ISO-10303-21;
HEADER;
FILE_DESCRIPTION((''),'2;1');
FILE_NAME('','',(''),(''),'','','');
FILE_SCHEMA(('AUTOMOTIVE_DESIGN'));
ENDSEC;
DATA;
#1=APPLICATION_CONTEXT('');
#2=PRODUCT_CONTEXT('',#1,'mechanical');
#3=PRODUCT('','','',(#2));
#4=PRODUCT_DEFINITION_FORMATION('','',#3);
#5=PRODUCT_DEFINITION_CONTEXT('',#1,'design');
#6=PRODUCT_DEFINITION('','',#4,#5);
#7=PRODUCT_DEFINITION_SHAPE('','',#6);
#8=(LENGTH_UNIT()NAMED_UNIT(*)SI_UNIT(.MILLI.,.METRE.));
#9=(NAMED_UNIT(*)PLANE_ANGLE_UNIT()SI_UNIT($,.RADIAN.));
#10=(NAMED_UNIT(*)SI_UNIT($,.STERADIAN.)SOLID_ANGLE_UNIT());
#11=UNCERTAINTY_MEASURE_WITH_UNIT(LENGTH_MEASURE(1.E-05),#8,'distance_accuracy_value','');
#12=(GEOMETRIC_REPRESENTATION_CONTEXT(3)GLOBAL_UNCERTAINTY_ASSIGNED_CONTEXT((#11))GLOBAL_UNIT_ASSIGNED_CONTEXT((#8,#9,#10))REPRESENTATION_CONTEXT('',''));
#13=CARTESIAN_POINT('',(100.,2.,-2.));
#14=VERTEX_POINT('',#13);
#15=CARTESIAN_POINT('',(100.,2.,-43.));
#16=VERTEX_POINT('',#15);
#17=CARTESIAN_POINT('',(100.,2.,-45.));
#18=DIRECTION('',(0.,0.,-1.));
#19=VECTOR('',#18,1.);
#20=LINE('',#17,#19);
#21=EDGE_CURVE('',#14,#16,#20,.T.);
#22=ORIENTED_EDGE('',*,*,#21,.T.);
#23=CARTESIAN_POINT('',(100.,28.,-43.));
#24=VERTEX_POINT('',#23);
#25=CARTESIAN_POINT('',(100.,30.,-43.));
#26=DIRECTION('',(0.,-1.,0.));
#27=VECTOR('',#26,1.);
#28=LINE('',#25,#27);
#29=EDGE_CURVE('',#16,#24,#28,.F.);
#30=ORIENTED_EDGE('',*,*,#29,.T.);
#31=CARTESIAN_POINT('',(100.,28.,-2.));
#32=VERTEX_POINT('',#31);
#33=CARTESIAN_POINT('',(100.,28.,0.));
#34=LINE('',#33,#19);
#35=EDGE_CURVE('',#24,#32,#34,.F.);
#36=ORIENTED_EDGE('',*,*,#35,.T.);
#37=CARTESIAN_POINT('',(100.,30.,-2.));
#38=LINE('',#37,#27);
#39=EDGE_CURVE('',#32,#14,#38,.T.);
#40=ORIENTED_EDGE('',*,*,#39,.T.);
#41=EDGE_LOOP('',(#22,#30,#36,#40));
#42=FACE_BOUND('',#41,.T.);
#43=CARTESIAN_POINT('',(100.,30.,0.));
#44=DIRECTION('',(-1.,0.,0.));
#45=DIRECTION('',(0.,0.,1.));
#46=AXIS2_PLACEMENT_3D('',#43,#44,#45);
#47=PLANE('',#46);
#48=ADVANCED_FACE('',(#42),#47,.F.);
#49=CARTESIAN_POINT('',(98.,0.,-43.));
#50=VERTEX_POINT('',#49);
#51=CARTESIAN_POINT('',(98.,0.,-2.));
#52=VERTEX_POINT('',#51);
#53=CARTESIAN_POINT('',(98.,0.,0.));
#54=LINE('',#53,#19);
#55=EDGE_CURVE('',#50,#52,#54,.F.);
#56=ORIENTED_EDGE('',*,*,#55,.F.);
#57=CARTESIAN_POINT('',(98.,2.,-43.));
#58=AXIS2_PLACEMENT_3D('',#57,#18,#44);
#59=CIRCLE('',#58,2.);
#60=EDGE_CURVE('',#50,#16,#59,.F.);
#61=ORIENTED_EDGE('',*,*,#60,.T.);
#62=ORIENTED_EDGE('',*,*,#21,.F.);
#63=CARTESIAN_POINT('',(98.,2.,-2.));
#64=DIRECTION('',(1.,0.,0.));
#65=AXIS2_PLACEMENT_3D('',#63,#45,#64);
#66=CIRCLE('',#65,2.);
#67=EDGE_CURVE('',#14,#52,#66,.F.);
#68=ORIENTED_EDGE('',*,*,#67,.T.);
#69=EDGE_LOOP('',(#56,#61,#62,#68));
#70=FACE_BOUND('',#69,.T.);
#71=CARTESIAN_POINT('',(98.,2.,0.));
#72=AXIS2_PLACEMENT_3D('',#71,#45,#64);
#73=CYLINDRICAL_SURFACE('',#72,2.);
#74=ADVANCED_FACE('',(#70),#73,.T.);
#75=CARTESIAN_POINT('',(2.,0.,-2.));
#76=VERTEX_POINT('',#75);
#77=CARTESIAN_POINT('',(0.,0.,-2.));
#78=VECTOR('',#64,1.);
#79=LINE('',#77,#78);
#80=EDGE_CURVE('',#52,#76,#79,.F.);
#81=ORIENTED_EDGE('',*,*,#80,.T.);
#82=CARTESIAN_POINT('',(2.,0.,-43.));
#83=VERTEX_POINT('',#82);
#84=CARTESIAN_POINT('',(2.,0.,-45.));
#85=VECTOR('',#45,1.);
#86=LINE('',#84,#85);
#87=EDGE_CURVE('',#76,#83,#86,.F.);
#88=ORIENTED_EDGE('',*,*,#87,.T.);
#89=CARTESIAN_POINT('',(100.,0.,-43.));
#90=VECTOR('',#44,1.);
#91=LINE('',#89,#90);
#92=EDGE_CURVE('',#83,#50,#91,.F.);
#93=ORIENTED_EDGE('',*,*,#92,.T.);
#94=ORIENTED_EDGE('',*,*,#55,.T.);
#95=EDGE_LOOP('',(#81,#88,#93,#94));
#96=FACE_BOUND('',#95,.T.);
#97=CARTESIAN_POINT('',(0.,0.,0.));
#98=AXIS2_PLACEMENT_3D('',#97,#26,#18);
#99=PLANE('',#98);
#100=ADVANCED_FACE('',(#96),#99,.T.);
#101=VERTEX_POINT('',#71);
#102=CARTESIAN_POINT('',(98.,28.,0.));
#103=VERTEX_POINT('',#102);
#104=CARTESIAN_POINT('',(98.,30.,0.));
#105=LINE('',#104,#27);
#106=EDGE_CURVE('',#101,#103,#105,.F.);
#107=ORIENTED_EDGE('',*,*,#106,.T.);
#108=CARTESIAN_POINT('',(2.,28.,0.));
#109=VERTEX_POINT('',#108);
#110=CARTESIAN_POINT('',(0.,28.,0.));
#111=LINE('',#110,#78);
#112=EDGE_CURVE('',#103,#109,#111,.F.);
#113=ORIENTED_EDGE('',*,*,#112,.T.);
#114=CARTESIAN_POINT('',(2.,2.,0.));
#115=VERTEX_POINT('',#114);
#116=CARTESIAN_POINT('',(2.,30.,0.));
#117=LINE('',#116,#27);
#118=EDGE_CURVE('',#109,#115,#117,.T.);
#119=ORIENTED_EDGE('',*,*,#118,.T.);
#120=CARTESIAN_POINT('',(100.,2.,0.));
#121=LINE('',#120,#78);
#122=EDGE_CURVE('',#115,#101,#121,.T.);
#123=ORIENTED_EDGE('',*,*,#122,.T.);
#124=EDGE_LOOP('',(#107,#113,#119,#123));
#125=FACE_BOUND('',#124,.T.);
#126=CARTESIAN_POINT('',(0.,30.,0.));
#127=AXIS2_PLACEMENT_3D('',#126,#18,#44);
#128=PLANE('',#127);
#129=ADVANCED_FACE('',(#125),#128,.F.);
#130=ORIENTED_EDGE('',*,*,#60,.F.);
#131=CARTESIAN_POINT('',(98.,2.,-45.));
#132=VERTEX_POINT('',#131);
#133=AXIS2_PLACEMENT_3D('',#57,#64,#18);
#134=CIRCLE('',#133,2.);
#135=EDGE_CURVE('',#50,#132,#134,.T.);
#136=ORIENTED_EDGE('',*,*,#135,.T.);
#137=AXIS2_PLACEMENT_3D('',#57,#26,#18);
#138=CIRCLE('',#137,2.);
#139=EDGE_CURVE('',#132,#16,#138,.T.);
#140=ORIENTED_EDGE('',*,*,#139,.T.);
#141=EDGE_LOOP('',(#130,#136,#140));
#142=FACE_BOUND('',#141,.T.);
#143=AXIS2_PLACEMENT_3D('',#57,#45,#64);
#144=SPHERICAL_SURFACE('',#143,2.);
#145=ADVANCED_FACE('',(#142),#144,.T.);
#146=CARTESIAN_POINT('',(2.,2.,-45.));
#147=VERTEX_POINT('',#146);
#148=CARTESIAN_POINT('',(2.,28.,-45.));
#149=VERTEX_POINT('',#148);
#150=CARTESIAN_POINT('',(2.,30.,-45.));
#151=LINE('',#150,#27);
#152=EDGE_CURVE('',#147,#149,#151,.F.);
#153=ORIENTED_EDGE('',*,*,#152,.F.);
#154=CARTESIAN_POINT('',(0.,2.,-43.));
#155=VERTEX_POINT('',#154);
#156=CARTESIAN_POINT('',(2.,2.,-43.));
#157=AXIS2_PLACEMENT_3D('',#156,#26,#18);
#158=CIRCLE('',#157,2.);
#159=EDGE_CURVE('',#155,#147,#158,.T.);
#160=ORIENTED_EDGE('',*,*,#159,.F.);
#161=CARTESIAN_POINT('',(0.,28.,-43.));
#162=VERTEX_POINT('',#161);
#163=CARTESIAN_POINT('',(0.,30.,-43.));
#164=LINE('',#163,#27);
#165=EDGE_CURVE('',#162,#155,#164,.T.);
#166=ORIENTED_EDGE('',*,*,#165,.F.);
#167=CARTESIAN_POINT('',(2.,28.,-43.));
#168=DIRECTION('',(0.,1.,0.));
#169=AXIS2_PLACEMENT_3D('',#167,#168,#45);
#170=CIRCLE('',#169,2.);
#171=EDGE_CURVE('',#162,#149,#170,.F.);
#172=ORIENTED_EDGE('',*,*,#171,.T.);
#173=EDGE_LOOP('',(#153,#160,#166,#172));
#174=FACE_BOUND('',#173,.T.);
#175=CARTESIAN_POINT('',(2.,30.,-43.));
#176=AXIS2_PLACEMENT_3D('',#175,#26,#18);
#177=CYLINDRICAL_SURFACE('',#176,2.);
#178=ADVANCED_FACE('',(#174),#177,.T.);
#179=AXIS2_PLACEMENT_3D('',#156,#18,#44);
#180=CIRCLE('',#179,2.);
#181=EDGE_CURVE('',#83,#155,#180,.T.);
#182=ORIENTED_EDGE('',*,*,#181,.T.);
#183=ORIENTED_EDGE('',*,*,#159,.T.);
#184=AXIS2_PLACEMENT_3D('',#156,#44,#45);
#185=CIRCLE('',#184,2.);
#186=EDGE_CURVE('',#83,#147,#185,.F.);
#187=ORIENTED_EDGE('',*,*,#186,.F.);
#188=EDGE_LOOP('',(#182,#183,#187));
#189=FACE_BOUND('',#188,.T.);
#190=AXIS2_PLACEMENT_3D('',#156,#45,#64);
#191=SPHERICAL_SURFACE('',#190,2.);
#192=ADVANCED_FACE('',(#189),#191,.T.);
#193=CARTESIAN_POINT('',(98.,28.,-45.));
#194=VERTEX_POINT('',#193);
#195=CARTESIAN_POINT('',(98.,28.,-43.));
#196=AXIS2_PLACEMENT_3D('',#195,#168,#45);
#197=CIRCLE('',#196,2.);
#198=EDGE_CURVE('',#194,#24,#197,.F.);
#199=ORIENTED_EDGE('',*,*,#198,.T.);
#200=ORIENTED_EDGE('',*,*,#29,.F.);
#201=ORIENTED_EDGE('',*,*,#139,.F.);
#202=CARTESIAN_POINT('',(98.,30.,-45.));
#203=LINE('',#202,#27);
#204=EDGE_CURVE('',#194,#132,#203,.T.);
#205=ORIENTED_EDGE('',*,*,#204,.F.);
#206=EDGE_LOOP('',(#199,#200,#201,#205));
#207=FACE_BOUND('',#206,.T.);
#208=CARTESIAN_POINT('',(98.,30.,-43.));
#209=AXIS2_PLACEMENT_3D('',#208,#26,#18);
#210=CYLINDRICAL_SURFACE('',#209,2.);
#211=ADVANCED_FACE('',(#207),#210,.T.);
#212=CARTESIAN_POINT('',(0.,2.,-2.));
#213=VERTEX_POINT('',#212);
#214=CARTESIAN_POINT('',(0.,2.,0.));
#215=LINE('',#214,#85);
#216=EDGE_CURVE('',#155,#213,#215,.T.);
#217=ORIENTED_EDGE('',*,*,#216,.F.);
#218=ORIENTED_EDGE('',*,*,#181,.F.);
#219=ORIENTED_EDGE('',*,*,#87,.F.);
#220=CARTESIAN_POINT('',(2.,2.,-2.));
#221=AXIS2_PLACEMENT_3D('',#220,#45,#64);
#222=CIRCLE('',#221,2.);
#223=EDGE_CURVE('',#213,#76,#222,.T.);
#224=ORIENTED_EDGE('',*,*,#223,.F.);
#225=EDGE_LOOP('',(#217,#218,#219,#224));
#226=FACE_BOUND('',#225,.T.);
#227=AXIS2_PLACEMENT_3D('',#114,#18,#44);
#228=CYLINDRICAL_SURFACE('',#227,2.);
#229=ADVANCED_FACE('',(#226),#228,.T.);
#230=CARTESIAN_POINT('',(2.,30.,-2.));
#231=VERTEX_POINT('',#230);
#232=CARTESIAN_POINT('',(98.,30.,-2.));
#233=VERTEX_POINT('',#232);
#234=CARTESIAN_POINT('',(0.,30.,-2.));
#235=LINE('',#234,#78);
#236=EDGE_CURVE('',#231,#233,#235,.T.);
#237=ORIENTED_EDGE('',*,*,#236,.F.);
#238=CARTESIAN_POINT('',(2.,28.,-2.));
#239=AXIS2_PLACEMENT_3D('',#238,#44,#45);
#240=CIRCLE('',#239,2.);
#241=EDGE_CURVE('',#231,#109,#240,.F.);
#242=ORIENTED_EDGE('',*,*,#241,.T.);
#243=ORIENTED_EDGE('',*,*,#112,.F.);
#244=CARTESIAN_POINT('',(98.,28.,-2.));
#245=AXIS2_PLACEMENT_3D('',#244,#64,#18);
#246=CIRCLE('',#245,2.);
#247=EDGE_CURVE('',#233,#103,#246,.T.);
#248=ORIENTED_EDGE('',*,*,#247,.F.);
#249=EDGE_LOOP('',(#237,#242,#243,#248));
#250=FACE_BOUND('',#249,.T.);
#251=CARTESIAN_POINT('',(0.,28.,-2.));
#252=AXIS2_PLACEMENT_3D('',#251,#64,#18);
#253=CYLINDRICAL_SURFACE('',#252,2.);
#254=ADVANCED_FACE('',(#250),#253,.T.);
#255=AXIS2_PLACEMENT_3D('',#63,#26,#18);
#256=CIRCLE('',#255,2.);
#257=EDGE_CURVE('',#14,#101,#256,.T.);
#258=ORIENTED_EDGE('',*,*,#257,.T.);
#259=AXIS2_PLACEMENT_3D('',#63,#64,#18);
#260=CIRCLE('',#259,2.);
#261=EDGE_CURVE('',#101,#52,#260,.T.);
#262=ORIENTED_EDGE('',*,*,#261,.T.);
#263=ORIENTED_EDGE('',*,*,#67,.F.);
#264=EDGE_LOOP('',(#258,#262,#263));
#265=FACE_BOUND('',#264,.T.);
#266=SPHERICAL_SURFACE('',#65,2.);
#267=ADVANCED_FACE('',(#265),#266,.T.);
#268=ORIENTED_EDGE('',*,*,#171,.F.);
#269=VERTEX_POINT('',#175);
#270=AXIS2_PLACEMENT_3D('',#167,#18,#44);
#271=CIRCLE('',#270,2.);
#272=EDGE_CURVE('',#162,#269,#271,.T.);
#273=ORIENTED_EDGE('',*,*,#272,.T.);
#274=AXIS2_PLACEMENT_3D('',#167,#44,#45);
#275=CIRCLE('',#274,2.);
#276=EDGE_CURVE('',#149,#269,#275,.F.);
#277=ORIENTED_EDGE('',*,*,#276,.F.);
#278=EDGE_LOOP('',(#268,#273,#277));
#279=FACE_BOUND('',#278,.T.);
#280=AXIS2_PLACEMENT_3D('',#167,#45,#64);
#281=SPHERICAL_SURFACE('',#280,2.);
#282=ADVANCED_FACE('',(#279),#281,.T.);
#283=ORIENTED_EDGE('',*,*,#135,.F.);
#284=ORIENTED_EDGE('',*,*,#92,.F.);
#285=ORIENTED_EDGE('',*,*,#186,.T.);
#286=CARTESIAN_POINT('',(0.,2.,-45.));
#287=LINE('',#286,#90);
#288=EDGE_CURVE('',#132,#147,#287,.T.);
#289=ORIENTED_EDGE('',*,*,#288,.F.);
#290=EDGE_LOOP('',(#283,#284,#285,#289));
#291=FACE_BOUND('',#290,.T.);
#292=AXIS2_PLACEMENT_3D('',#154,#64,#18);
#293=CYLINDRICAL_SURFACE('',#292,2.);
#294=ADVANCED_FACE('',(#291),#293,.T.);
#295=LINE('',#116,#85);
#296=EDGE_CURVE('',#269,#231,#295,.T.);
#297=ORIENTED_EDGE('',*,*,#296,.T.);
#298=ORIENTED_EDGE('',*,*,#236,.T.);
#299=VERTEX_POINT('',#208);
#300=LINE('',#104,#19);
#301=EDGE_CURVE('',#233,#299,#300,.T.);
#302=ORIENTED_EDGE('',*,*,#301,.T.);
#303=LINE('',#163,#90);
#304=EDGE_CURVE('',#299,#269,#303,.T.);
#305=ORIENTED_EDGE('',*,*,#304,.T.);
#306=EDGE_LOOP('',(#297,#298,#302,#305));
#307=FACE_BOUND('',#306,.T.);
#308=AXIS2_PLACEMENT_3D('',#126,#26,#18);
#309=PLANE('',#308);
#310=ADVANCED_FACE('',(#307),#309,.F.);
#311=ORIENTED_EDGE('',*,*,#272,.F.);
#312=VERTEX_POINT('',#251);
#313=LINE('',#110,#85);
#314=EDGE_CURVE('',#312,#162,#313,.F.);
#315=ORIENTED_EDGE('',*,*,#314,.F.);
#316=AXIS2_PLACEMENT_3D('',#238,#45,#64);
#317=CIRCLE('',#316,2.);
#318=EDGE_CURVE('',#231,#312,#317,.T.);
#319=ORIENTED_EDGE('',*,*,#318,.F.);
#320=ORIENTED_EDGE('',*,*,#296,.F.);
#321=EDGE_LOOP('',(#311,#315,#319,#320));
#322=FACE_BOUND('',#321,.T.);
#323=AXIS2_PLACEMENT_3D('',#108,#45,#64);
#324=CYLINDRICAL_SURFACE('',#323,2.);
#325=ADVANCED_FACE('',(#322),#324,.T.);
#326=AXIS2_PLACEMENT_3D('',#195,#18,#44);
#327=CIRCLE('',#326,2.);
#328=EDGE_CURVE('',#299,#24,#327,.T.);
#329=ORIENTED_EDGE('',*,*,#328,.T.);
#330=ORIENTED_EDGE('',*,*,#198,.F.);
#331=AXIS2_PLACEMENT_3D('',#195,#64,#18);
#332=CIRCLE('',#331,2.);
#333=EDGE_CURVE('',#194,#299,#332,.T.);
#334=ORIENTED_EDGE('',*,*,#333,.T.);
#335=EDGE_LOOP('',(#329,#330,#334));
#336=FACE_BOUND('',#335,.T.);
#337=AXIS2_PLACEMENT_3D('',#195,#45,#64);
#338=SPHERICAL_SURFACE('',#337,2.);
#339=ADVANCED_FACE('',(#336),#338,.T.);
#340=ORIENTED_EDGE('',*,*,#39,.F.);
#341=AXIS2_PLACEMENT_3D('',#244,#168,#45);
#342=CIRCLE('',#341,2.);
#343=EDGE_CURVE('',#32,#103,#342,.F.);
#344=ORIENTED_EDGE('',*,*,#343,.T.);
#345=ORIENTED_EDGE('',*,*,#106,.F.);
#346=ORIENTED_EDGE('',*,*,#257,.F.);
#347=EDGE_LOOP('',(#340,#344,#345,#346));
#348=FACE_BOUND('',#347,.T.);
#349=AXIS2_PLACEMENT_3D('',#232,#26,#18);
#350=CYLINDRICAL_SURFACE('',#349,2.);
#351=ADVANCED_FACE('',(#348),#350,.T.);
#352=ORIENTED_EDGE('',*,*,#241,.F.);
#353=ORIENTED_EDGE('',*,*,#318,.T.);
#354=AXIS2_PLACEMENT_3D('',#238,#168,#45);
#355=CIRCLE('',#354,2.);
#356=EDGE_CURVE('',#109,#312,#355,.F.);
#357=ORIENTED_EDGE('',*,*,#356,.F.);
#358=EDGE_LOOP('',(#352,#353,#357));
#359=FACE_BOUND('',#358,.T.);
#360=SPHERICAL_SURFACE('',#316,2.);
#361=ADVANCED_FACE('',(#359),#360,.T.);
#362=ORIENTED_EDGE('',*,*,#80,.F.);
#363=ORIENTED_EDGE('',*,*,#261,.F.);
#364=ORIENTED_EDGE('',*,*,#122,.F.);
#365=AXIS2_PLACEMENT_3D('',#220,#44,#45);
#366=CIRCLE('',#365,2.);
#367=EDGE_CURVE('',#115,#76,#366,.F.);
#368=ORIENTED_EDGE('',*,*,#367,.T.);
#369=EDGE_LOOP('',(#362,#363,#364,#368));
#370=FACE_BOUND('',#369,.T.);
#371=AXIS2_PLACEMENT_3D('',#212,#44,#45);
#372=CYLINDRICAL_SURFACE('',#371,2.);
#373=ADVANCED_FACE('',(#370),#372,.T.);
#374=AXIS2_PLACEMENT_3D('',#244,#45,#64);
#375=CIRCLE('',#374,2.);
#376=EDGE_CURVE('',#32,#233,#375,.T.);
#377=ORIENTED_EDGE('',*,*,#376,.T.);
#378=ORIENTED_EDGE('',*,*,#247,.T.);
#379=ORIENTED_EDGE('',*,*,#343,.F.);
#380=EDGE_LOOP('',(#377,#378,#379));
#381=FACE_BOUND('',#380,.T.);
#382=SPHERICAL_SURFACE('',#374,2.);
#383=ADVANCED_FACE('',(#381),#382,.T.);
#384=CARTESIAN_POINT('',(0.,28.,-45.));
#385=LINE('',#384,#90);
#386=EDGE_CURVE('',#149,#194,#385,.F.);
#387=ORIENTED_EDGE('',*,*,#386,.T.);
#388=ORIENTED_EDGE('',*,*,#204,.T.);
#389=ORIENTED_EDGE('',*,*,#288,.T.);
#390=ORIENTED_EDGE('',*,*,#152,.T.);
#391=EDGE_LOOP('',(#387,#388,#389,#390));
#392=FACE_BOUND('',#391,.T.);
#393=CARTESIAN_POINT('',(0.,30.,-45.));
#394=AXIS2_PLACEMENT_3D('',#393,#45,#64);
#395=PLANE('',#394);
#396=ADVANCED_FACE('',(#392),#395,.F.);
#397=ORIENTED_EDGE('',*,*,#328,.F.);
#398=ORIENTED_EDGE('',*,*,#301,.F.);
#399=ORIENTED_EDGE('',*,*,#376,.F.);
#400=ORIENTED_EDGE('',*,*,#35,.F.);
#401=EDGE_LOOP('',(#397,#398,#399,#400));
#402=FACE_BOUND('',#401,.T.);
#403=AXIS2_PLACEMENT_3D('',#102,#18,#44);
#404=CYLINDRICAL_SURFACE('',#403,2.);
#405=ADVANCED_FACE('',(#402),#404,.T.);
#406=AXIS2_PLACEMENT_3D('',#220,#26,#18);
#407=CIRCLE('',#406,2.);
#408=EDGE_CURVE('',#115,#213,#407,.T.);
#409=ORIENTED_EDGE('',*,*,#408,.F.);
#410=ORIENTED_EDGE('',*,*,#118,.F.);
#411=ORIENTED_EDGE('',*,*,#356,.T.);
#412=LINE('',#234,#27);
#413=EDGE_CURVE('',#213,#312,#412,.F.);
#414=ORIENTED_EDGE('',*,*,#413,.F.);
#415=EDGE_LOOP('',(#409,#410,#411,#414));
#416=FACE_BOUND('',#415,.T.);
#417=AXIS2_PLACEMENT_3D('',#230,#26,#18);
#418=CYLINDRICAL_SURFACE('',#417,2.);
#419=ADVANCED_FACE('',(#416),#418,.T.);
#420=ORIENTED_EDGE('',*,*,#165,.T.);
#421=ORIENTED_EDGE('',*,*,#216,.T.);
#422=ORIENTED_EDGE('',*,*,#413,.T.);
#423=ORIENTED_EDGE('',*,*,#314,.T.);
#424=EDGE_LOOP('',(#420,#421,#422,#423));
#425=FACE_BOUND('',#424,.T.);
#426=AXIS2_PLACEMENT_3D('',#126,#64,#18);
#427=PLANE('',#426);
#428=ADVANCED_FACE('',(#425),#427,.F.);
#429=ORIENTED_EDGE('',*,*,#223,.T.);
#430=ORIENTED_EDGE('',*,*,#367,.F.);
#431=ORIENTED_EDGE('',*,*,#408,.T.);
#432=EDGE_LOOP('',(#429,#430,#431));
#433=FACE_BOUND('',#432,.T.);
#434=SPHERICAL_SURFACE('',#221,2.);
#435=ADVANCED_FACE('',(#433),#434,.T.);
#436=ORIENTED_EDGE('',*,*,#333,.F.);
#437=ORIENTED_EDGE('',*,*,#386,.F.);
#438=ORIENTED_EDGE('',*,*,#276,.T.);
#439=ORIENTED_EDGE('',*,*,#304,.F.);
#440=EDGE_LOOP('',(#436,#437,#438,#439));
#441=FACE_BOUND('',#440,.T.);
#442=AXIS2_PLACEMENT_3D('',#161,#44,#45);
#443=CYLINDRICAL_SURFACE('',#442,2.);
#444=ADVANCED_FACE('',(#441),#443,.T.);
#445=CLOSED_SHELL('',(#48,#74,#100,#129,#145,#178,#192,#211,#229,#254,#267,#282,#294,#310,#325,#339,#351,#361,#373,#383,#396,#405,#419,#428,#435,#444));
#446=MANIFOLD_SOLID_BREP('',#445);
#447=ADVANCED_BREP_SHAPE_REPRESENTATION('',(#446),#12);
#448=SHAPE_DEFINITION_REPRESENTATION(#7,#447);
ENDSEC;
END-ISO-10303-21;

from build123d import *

# Parameters (mm, degrees)
SKETCH1_W           = 100
SKETCH1_H           = 45
BOSS_EXTRUDE1_DEPTH = 30
FILLET1_R           = 2


with BuildPart() as part:
    # Sketch1 → Boss-Extrude1 (new body)
    with BuildSketch(Plane(origin=(0, 0, 0), x_dir=(1, 0, 0), z_dir=(0, 1, 0))):
        with Locations((50, 22.5)):
            Rectangle(SKETCH1_W, SKETCH1_H)
    extrude(amount=BOSS_EXTRUDE1_DEPTH)

    # Fillet1
    fillet1_edges = [part.edges().sort_by_distance(p)[0] for p in [
        (100, 30, -22.5),
        (50, 30, -45),
        (0, 30, -22.5),
        (50, 0, -45),
        (100, 0, -22.5),
        (50, 0, 0),
        (0, 0, -22.5),
        (50, 30, 0),
        (0, 15, -45),
        (100, 15, -45),
        (100, 15, 0),
        (0, 15, 0),
    ]]
    fillet(fillet1_edges, radius=FILLET1_R)


solid = part.part
